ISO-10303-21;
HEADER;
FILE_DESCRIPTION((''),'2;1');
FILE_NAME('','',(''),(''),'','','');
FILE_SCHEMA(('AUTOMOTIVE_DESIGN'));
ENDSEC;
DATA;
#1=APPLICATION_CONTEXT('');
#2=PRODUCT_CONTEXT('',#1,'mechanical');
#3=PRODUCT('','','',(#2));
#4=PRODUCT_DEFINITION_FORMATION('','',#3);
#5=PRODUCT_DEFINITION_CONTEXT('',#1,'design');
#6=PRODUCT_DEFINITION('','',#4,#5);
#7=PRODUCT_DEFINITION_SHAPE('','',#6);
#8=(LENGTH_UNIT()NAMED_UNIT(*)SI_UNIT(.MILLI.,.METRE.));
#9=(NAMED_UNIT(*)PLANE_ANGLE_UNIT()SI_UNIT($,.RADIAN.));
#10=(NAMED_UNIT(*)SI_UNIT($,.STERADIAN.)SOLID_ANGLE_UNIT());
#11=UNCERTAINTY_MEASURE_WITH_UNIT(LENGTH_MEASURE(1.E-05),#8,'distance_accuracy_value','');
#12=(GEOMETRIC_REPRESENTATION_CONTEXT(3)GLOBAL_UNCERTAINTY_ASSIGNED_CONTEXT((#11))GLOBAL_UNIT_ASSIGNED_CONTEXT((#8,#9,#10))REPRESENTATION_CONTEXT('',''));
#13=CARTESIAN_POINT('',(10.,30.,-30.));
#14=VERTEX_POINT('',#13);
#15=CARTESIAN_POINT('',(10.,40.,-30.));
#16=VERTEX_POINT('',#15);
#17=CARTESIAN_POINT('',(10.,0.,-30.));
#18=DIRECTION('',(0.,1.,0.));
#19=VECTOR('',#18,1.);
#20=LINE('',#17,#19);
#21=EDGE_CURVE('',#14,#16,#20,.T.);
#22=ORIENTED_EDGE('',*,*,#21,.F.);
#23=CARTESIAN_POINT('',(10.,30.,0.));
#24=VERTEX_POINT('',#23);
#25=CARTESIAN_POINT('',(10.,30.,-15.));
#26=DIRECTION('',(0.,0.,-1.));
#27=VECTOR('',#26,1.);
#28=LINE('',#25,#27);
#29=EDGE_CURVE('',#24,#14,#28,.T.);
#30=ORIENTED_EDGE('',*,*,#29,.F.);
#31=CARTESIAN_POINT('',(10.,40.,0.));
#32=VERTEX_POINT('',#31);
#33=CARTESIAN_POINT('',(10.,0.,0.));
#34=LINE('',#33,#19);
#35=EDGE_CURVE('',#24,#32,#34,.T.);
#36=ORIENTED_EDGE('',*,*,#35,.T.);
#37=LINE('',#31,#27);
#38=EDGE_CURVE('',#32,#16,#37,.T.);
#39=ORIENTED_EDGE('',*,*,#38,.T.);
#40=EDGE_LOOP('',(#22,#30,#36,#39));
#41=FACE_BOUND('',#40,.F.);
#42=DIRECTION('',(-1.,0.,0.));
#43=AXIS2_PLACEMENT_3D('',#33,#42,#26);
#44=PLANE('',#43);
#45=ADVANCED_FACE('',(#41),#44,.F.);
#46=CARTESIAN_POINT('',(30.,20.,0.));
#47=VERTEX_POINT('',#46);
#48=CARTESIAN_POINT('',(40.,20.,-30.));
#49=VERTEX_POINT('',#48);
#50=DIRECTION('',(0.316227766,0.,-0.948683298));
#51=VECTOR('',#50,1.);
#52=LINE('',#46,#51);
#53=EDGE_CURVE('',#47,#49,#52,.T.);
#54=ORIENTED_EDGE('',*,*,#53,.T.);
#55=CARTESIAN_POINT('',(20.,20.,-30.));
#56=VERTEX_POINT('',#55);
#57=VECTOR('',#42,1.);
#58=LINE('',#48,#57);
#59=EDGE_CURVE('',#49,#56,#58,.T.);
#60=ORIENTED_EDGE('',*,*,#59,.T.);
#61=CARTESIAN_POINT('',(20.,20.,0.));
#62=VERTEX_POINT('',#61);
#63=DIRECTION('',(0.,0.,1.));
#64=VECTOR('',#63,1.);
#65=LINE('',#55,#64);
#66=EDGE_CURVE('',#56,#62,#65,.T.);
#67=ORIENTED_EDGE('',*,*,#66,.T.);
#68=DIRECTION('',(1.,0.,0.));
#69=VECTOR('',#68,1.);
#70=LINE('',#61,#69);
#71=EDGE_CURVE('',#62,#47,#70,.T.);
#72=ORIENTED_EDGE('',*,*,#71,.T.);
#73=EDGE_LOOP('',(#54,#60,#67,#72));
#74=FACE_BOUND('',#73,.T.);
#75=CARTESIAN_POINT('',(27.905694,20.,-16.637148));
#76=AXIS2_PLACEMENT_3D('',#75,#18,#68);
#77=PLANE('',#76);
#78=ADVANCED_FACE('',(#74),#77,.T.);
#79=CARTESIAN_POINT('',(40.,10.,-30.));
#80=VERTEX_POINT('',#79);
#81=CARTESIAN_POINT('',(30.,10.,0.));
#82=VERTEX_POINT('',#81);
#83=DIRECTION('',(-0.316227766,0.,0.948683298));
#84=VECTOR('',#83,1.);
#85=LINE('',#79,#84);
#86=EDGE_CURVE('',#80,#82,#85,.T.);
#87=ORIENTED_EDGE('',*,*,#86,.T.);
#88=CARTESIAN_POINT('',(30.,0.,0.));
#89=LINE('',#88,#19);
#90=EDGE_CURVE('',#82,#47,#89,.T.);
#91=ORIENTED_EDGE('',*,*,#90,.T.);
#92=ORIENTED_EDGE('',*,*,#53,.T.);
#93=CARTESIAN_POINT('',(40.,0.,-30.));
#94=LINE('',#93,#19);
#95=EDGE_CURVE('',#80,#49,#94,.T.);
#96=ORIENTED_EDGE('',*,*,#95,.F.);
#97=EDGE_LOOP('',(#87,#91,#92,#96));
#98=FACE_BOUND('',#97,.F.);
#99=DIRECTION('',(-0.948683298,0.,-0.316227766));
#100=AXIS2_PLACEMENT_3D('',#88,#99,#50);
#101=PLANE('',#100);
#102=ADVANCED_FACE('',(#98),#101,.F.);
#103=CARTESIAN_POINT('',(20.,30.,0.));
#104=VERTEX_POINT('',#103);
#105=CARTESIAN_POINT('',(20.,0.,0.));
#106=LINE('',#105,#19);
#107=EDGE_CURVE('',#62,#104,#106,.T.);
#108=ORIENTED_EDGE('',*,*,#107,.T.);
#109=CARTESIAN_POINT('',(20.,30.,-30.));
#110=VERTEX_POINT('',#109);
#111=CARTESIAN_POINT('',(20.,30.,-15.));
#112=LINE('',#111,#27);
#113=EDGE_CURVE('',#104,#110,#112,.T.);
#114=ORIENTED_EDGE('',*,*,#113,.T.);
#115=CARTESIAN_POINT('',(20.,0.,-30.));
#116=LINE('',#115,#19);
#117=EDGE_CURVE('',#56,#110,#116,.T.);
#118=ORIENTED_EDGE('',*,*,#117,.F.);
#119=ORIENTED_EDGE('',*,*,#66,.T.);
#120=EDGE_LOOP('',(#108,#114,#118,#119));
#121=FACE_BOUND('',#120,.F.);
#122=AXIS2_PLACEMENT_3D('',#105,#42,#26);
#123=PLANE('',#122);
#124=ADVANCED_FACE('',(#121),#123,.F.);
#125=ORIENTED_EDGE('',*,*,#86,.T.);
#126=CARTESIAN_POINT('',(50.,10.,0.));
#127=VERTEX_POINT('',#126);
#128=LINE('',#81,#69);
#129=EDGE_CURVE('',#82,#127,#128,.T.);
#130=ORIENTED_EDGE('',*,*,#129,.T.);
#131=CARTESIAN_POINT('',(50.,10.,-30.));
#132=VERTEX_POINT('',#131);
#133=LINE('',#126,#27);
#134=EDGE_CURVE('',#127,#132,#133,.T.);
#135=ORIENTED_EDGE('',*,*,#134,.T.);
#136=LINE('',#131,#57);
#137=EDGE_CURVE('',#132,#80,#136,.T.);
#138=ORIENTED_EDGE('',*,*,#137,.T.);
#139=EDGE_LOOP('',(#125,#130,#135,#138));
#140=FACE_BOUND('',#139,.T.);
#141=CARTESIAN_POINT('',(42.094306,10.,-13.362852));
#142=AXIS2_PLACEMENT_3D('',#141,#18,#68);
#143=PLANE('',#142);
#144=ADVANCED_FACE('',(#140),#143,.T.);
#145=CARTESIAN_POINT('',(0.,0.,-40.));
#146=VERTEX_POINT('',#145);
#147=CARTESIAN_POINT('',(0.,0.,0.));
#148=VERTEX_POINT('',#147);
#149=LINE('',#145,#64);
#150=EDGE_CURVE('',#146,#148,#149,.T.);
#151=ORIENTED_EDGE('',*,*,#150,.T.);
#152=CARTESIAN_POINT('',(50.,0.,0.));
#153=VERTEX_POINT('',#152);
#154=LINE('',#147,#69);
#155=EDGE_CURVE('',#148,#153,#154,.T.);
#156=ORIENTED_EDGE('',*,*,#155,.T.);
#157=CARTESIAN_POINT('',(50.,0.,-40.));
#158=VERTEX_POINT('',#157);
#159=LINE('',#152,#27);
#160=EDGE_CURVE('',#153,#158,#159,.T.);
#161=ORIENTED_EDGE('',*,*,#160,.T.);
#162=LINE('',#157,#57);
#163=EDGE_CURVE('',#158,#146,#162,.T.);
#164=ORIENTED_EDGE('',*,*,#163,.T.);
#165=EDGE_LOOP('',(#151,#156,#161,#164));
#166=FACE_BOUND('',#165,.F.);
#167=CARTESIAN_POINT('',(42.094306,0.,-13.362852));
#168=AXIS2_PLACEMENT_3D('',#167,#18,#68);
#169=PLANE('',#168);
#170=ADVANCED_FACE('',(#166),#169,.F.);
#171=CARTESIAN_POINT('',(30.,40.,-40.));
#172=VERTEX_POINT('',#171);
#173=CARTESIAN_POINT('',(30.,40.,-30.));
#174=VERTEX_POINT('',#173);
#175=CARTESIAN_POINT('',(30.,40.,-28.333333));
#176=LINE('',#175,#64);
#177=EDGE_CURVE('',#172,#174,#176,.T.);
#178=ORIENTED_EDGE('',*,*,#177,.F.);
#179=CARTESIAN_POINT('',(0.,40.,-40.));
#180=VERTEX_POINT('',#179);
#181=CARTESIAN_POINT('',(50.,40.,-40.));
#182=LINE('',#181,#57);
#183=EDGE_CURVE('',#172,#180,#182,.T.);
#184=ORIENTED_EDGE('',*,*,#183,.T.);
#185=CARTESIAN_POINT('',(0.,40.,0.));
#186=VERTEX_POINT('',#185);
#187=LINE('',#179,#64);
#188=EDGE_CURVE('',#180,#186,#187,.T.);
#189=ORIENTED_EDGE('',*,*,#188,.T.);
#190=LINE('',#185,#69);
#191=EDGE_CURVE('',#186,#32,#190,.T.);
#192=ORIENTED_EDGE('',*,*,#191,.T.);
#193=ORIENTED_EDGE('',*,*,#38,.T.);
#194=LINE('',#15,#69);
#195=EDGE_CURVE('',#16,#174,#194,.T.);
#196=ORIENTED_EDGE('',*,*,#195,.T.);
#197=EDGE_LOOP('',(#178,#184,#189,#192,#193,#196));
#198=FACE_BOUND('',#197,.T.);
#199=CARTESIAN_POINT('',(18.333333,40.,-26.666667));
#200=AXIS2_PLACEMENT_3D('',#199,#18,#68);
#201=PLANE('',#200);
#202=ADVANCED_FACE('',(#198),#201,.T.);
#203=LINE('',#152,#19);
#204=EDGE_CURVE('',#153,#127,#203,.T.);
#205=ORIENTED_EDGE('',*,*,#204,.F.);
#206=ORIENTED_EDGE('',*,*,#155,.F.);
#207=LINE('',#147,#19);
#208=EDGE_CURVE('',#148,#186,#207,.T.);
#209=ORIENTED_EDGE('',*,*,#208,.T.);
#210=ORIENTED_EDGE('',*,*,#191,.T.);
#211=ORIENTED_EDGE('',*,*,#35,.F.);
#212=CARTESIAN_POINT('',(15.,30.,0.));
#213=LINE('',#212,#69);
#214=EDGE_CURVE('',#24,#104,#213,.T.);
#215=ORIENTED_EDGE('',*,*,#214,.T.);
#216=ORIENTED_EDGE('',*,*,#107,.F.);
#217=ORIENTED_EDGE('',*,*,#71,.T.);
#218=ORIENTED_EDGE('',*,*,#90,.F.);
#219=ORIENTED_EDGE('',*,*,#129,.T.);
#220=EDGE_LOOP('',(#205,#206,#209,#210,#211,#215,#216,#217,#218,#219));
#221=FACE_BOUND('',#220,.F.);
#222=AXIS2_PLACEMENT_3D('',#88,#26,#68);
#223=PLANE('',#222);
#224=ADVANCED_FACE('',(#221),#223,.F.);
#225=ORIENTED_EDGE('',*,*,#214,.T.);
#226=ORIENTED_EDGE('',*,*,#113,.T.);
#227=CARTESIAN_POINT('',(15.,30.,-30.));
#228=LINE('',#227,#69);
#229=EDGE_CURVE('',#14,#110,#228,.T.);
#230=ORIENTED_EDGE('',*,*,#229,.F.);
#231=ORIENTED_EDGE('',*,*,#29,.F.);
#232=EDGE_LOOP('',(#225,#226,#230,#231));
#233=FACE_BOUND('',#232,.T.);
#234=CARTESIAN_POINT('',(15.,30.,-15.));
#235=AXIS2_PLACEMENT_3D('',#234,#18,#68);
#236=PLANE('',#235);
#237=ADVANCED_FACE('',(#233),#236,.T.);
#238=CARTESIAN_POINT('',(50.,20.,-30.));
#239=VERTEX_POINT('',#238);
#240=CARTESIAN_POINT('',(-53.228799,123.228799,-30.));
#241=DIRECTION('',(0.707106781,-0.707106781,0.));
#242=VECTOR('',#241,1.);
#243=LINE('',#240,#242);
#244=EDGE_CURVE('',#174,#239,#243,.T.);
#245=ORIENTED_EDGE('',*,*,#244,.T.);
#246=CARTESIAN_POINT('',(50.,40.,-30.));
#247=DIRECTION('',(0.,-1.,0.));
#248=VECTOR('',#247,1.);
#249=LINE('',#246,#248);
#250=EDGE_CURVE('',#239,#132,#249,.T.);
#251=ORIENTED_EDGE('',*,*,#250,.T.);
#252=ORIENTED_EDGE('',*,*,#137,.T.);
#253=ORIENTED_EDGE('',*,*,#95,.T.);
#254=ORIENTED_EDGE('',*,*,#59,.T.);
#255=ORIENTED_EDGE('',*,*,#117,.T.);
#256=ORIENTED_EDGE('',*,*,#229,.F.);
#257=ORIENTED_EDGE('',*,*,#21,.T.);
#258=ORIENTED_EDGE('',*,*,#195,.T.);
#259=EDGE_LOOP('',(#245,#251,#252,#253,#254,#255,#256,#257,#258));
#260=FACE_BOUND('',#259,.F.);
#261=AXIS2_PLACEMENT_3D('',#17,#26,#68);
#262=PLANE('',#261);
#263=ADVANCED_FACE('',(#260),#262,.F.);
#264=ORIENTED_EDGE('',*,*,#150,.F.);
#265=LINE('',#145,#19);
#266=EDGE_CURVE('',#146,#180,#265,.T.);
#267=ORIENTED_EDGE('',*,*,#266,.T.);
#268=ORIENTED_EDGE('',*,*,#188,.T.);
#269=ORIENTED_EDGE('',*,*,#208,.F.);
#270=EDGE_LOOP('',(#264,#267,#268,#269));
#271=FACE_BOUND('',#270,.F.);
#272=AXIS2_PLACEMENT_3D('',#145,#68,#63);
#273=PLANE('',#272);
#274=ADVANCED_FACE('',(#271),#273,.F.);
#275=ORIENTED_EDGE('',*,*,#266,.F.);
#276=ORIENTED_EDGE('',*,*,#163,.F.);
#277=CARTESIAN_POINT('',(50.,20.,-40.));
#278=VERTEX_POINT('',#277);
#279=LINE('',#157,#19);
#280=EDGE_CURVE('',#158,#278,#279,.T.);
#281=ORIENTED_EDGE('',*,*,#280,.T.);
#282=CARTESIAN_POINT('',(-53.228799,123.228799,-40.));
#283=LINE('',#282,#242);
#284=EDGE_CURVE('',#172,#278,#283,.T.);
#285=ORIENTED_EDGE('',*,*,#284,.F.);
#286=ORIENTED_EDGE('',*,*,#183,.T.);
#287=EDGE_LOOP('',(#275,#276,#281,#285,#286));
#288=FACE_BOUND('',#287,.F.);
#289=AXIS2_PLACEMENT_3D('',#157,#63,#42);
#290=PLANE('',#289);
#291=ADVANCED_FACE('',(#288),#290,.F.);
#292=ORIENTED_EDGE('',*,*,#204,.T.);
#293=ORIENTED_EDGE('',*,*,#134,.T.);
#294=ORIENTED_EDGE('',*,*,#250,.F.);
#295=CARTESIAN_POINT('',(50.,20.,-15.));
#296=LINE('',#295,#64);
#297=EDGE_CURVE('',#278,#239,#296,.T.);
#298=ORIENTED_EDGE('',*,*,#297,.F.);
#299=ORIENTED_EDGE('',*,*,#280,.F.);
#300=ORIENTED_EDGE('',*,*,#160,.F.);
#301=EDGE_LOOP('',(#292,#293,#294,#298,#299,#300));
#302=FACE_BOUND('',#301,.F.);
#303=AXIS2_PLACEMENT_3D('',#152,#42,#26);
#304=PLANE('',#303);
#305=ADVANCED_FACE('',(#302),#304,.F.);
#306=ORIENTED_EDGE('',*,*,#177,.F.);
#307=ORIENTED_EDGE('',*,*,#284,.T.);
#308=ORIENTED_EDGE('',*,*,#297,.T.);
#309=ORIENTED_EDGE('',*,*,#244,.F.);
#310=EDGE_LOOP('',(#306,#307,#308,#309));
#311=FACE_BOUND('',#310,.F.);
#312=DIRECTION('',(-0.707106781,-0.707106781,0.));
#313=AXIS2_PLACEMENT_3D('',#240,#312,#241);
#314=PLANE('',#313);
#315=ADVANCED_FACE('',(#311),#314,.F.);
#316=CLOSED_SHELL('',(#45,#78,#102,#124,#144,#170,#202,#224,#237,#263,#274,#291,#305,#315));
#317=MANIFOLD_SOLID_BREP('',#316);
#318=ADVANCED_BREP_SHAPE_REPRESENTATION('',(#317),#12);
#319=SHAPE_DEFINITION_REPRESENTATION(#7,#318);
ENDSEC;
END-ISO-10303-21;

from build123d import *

# Parameters (mm, degrees)
BOSS_EXTRUDE1_DEPTH     = 40
SKETCH1_3_W             = 10
SKETCH1_3_H             = 30
BOSS_EXTRUDE2_DEPTH     = 30
BOSS_EXTRUDE3_DEPTH     = 20
BOSS_EXTRUDE4_DEPTH     = 10
CUT_EXTRUDE1_DEPTH      = 31
CUT_EXTRUDE1_DEPTH_BACK = 10


with BuildPart() as part:
    # Sketch1 → Boss-Extrude1 (new body)
    with BuildSketch(Plane(origin=(0, 0, 0), x_dir=(1, 0, 0), z_dir=(0, 1, 0))):
        Polygon((0, 40), (0, 0), (10, 0), (10, 30), (20, 30), (40, 30), (50, 30), (50, 40), align=None)
    extrude(amount=BOSS_EXTRUDE1_DEPTH)

    # Sketch1<3> → Boss-Extrude2 (add)
    with BuildSketch(Plane(origin=(0, 0, 0), x_dir=(1, 0, 0), z_dir=(0, 1, 0))):
        with Locations((15, 15)):
            Rectangle(SKETCH1_3_W, SKETCH1_3_H)
    extrude(amount=BOSS_EXTRUDE2_DEPTH)

    # Sketch1<4> → Boss-Extrude3 (add)
    with BuildSketch(Plane(origin=(0, 0, 0), x_dir=(1, 0, 0), z_dir=(0, 1, 0))):
        Polygon((20, 30), (20, 0), (30, 0), (40, 30), align=None)
    extrude(amount=BOSS_EXTRUDE3_DEPTH)

    # Sketch1<5> → Boss-Extrude4 (add)
    with BuildSketch(Plane(origin=(0, 0, 0), x_dir=(1, 0, 0), z_dir=(0, 1, 0))):
        Polygon((50, 0), (50, 30), (40, 30), (30, 0), align=None)
    extrude(amount=BOSS_EXTRUDE4_DEPTH)

    # Sketch2 → Cut-Extrude1 (cut, two sides)
    with BuildSketch(Plane.XY.offset(-30)) as cut_extrude1_sk:
        Polygon((-53.228798871, 123.228798871), (30, 40), (50, 20), (133.228798871, -63.228798871), (299.686396612, 103.228798871), (113.228798871, 289.686396612), align=None)
    extrude(amount=CUT_EXTRUDE1_DEPTH, mode=Mode.SUBTRACT)
    extrude(cut_extrude1_sk.sketch, amount=-CUT_EXTRUDE1_DEPTH_BACK, mode=Mode.SUBTRACT)


solid = part.part
